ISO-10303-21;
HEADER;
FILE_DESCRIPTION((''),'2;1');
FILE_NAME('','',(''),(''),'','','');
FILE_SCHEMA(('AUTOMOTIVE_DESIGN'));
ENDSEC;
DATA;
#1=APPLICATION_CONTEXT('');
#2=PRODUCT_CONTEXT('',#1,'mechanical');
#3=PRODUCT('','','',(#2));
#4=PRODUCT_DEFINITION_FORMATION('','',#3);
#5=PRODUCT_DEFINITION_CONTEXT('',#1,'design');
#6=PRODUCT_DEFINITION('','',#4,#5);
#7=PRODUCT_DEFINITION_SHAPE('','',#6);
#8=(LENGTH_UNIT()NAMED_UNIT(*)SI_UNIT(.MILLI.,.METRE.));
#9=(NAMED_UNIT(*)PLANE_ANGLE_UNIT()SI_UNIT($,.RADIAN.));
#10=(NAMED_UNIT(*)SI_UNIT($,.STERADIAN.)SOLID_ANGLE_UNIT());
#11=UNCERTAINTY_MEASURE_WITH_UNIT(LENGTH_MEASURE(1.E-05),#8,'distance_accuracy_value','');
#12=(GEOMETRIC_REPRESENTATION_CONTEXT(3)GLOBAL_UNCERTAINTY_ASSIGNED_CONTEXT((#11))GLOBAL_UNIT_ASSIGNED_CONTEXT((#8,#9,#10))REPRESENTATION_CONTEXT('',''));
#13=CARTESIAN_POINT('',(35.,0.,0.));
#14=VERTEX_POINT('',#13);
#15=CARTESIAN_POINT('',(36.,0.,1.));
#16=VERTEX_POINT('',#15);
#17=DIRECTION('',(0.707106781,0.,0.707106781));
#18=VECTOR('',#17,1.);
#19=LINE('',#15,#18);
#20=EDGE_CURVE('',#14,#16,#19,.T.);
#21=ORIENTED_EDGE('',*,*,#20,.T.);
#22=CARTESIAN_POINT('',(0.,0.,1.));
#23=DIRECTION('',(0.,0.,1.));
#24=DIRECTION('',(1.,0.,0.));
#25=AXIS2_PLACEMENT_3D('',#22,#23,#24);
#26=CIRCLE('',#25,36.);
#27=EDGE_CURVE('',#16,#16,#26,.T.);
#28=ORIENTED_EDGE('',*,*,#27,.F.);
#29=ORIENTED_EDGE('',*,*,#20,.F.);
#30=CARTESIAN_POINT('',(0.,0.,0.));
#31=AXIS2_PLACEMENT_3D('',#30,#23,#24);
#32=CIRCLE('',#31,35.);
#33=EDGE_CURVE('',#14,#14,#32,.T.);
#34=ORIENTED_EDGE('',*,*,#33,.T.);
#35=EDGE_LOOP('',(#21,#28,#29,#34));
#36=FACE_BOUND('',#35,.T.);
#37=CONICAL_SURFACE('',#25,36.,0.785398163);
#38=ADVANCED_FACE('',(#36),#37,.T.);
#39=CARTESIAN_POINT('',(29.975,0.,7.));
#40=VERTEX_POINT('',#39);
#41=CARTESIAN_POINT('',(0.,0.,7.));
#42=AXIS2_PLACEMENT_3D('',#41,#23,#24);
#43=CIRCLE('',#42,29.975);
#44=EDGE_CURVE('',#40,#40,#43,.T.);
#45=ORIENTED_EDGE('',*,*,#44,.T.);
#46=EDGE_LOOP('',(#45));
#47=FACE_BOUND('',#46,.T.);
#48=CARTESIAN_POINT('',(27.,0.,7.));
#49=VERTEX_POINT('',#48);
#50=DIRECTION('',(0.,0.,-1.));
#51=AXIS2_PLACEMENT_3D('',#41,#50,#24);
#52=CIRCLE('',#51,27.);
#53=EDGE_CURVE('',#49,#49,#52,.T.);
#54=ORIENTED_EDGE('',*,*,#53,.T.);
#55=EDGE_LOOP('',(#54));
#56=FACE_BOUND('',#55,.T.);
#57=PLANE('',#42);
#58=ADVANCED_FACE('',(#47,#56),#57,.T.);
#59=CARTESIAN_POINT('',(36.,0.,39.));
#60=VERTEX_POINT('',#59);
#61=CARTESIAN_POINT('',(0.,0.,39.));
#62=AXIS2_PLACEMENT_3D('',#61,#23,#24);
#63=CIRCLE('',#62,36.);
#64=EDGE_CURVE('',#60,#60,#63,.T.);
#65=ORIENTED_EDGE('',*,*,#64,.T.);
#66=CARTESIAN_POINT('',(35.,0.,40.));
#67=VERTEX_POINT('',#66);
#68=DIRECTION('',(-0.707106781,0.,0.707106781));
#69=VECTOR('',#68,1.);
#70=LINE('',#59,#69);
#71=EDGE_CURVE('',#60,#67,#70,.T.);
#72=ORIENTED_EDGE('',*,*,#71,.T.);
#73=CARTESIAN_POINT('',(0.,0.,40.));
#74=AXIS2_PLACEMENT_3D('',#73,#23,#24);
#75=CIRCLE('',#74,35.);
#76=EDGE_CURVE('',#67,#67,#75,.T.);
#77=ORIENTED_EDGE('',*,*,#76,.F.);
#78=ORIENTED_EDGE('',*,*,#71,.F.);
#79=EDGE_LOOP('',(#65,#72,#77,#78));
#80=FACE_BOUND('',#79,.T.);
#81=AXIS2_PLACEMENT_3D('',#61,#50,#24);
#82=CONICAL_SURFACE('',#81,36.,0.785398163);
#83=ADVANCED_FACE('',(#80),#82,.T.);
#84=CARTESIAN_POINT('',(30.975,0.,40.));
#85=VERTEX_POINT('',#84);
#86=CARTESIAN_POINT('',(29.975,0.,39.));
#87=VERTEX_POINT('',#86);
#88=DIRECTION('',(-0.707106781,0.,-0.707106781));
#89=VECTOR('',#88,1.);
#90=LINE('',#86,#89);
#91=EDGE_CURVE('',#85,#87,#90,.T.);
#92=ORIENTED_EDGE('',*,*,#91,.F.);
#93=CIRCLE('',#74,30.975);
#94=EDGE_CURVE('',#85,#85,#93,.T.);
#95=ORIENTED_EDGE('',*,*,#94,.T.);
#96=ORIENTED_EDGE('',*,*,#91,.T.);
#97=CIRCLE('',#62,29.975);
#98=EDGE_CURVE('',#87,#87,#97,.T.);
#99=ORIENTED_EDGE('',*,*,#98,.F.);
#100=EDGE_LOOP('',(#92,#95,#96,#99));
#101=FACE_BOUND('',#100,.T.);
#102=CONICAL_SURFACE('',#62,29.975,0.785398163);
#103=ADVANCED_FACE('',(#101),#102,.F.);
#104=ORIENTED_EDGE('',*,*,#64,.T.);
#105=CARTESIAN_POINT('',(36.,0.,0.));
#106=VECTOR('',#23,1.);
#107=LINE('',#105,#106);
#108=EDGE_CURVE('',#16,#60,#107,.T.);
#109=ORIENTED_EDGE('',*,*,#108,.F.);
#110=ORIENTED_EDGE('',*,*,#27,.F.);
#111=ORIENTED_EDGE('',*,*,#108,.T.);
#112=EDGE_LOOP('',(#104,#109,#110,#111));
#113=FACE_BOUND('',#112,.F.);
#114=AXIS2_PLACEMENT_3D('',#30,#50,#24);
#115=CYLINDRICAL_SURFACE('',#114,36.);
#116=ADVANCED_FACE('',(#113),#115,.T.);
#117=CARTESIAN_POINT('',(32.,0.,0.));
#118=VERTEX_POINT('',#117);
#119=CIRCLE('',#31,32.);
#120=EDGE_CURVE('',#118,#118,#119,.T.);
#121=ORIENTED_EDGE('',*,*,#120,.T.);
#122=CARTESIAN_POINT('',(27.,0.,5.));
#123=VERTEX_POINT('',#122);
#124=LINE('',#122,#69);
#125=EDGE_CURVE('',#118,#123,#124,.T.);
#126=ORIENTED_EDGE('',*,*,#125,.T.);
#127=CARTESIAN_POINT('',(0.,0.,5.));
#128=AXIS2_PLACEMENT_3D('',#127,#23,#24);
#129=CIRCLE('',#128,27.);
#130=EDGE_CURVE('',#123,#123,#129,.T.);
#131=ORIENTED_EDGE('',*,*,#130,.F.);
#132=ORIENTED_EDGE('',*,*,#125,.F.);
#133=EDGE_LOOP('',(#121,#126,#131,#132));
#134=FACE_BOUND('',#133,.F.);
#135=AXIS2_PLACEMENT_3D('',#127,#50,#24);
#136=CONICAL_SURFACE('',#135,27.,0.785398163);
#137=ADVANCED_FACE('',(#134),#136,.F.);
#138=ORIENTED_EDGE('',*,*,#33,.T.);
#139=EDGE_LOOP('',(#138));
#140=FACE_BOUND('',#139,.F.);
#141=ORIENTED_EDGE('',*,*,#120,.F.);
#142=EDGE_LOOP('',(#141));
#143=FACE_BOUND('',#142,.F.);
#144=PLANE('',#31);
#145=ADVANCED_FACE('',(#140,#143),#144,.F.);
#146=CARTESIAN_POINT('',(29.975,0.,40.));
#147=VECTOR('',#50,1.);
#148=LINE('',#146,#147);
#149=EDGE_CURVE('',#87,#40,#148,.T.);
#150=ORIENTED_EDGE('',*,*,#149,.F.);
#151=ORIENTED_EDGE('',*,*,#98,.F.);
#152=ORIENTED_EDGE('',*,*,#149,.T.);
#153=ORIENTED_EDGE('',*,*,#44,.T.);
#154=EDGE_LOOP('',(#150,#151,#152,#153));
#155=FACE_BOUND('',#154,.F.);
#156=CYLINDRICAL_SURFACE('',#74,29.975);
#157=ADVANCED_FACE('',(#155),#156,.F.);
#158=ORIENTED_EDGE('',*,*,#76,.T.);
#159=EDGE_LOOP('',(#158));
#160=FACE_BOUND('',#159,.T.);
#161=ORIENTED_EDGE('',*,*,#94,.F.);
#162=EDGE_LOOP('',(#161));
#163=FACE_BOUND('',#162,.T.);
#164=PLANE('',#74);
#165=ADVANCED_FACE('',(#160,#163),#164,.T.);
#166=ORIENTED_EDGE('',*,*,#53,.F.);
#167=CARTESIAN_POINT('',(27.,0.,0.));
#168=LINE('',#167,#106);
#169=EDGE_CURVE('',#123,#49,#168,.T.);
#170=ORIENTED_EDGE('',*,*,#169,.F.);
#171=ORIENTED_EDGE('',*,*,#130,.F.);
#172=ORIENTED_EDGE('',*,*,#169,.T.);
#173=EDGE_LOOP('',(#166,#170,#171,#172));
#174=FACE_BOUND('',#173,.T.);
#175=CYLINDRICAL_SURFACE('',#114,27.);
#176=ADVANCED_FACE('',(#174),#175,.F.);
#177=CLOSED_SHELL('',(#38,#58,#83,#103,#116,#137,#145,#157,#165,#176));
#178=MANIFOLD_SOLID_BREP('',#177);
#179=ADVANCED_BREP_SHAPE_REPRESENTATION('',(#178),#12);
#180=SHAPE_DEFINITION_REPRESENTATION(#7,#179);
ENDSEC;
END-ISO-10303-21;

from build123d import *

# Parameters (mm, degrees)
F0_R     = 36
F0_R_2   = 27
F1_DEPTH = 40
F2_R     = 29.975
F3_DEPTH = 33
F4_SIZE  = 5
F5_SIZE  = 1


with BuildPart() as f1:
    # F0 (on Top) → F1 (new body)
    with BuildSketch(Plane.XY):
        Circle(F0_R)
        Circle(F0_R_2, mode=Mode.SUBTRACT)
    extrude(amount=F1_DEPTH)

    # F2 (on face) → F3 (cut)
    with BuildSketch(Plane.XY.offset(40)):
        Circle(F2_R)
    extrude(amount=-F3_DEPTH, mode=Mode.SUBTRACT)

    # F4
    f4_edges = [f1.edges().sort_by_distance(p)[0] for p in [
        (-27, 0, 0),
    ]]
    chamfer(f4_edges, length=F4_SIZE)

    # F5
    f5_edges = [f1.edges().sort_by_distance(p)[0] for p in [
        (-36, 0, 0),
        (-36, 0, 40),
        (-29.975, 0, 40),
    ]]
    chamfer(f5_edges, length=F5_SIZE)


solid = f1.part
